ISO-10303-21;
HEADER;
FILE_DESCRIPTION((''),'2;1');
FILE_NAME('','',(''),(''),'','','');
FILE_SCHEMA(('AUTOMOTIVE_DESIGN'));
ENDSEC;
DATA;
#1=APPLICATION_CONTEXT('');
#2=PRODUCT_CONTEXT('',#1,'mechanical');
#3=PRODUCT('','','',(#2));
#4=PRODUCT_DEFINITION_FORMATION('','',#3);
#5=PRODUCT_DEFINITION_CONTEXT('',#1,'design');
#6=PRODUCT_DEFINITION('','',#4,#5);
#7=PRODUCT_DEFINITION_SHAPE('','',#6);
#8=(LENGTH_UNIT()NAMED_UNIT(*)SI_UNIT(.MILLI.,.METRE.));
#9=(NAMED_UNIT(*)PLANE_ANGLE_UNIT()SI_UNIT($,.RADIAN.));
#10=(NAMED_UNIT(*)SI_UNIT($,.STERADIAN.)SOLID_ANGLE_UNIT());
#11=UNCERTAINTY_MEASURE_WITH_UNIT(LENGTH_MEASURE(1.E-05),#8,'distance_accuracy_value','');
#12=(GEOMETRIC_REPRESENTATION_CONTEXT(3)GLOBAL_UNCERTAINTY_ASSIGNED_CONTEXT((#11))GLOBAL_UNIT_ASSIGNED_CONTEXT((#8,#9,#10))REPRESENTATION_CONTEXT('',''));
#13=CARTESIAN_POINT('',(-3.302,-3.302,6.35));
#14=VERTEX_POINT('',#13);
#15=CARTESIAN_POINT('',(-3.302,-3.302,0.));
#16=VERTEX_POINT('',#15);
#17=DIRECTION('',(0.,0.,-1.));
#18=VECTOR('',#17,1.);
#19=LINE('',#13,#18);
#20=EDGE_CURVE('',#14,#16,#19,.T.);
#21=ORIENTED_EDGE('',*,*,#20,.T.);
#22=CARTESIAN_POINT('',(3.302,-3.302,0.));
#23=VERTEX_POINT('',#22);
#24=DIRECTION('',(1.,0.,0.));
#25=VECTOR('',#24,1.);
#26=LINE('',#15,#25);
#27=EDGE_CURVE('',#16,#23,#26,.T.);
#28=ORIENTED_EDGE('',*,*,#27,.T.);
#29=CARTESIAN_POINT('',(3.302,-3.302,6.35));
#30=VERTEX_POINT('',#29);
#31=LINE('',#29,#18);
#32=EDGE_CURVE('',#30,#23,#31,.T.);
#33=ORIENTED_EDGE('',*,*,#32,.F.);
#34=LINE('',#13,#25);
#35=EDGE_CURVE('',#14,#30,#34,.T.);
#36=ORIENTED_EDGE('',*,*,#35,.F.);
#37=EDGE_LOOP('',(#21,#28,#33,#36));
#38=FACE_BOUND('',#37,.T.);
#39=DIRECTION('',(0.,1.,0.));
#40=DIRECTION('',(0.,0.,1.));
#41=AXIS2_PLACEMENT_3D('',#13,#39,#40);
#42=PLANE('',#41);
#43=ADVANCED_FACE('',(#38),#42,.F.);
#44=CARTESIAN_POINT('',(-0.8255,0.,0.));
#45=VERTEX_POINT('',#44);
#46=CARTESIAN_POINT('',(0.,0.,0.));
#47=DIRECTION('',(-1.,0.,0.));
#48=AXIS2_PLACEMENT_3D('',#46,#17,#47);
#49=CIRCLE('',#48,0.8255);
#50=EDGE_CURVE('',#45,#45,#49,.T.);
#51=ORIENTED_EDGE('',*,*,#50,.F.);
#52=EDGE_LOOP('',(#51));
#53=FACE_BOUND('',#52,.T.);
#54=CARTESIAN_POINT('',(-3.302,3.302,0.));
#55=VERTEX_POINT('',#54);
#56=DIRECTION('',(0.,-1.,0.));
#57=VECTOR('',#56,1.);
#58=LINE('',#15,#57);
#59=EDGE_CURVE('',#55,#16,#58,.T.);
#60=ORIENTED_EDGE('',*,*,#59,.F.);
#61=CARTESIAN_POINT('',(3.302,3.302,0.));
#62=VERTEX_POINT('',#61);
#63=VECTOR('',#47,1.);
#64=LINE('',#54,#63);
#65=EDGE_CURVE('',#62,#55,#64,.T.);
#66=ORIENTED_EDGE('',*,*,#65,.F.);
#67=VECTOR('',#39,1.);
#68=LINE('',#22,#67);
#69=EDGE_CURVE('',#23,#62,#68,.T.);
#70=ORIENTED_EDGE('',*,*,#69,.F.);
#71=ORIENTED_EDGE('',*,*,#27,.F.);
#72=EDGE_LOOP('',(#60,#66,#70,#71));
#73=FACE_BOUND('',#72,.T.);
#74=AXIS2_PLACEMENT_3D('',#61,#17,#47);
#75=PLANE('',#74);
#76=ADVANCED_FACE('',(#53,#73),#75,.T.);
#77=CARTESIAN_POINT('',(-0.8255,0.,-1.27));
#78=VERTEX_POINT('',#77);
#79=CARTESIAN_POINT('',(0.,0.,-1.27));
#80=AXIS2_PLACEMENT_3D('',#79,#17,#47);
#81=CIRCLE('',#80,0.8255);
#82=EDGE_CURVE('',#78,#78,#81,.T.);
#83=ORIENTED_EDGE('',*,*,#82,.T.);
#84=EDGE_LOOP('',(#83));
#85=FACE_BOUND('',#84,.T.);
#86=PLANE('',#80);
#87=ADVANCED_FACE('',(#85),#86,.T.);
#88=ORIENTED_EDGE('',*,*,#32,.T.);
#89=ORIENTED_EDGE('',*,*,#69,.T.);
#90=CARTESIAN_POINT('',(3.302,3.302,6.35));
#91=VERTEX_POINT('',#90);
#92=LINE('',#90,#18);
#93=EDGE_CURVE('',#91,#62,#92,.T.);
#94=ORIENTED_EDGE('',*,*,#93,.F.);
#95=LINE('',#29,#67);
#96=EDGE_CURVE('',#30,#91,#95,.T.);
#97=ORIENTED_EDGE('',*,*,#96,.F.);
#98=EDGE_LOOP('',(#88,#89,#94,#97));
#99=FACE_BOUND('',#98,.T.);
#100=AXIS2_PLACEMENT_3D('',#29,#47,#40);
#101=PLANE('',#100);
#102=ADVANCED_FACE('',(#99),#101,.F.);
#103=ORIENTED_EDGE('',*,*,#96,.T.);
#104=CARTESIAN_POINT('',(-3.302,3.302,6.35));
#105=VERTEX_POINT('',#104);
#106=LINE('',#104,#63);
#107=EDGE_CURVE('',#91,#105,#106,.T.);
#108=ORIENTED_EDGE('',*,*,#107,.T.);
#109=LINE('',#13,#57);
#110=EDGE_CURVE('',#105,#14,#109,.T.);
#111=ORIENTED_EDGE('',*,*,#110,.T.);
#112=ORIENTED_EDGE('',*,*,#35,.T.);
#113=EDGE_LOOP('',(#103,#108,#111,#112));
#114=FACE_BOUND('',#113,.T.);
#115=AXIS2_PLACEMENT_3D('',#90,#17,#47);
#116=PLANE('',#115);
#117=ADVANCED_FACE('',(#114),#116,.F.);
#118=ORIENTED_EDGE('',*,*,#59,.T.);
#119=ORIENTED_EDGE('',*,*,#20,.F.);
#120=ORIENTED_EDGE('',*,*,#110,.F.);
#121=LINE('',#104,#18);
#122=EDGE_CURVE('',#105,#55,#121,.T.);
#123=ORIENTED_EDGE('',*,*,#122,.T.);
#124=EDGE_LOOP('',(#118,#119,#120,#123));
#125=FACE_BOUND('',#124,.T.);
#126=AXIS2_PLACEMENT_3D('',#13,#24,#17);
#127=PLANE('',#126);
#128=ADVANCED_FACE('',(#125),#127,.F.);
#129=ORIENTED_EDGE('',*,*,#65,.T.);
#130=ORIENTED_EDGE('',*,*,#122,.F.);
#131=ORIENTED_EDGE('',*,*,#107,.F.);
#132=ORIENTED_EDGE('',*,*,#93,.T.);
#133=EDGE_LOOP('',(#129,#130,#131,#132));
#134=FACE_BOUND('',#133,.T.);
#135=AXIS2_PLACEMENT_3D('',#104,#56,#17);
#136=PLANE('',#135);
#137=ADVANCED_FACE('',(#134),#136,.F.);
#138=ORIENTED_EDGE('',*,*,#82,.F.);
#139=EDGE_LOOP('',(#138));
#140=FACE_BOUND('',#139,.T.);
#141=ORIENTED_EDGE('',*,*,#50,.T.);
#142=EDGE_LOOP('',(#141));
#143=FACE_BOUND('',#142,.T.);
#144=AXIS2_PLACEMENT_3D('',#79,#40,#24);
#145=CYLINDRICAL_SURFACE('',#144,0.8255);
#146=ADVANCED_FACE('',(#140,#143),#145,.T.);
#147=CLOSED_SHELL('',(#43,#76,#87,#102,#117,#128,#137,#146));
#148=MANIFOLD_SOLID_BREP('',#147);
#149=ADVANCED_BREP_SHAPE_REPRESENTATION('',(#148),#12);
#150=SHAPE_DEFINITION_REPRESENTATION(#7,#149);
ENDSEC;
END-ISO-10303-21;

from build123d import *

# Parameters (mm, degrees)
SKETCH1_W           = 6.604
SKETCH1_H           = 6.604
BOSS_EXTRUDE1_DEPTH = 6.35
SKETCH2_R           = 0.8255
BOSS_EXTRUDE2_DEPTH = 1.27


with BuildPart() as part:
    # Sketch1 → Boss-Extrude1 (new body)
    with BuildSketch(Plane.XY):
        Rectangle(SKETCH1_W, SKETCH1_H)
    extrude(amount=BOSS_EXTRUDE1_DEPTH)

    # Sketch2 → Boss-Extrude2 (add)
    with BuildSketch(Plane(origin=(0, 0, 0), x_dir=(-1, 0, 0), z_dir=(0, 0, -1))):
        Circle(SKETCH2_R)
    extrude(amount=BOSS_EXTRUDE2_DEPTH)


solid = part.part
